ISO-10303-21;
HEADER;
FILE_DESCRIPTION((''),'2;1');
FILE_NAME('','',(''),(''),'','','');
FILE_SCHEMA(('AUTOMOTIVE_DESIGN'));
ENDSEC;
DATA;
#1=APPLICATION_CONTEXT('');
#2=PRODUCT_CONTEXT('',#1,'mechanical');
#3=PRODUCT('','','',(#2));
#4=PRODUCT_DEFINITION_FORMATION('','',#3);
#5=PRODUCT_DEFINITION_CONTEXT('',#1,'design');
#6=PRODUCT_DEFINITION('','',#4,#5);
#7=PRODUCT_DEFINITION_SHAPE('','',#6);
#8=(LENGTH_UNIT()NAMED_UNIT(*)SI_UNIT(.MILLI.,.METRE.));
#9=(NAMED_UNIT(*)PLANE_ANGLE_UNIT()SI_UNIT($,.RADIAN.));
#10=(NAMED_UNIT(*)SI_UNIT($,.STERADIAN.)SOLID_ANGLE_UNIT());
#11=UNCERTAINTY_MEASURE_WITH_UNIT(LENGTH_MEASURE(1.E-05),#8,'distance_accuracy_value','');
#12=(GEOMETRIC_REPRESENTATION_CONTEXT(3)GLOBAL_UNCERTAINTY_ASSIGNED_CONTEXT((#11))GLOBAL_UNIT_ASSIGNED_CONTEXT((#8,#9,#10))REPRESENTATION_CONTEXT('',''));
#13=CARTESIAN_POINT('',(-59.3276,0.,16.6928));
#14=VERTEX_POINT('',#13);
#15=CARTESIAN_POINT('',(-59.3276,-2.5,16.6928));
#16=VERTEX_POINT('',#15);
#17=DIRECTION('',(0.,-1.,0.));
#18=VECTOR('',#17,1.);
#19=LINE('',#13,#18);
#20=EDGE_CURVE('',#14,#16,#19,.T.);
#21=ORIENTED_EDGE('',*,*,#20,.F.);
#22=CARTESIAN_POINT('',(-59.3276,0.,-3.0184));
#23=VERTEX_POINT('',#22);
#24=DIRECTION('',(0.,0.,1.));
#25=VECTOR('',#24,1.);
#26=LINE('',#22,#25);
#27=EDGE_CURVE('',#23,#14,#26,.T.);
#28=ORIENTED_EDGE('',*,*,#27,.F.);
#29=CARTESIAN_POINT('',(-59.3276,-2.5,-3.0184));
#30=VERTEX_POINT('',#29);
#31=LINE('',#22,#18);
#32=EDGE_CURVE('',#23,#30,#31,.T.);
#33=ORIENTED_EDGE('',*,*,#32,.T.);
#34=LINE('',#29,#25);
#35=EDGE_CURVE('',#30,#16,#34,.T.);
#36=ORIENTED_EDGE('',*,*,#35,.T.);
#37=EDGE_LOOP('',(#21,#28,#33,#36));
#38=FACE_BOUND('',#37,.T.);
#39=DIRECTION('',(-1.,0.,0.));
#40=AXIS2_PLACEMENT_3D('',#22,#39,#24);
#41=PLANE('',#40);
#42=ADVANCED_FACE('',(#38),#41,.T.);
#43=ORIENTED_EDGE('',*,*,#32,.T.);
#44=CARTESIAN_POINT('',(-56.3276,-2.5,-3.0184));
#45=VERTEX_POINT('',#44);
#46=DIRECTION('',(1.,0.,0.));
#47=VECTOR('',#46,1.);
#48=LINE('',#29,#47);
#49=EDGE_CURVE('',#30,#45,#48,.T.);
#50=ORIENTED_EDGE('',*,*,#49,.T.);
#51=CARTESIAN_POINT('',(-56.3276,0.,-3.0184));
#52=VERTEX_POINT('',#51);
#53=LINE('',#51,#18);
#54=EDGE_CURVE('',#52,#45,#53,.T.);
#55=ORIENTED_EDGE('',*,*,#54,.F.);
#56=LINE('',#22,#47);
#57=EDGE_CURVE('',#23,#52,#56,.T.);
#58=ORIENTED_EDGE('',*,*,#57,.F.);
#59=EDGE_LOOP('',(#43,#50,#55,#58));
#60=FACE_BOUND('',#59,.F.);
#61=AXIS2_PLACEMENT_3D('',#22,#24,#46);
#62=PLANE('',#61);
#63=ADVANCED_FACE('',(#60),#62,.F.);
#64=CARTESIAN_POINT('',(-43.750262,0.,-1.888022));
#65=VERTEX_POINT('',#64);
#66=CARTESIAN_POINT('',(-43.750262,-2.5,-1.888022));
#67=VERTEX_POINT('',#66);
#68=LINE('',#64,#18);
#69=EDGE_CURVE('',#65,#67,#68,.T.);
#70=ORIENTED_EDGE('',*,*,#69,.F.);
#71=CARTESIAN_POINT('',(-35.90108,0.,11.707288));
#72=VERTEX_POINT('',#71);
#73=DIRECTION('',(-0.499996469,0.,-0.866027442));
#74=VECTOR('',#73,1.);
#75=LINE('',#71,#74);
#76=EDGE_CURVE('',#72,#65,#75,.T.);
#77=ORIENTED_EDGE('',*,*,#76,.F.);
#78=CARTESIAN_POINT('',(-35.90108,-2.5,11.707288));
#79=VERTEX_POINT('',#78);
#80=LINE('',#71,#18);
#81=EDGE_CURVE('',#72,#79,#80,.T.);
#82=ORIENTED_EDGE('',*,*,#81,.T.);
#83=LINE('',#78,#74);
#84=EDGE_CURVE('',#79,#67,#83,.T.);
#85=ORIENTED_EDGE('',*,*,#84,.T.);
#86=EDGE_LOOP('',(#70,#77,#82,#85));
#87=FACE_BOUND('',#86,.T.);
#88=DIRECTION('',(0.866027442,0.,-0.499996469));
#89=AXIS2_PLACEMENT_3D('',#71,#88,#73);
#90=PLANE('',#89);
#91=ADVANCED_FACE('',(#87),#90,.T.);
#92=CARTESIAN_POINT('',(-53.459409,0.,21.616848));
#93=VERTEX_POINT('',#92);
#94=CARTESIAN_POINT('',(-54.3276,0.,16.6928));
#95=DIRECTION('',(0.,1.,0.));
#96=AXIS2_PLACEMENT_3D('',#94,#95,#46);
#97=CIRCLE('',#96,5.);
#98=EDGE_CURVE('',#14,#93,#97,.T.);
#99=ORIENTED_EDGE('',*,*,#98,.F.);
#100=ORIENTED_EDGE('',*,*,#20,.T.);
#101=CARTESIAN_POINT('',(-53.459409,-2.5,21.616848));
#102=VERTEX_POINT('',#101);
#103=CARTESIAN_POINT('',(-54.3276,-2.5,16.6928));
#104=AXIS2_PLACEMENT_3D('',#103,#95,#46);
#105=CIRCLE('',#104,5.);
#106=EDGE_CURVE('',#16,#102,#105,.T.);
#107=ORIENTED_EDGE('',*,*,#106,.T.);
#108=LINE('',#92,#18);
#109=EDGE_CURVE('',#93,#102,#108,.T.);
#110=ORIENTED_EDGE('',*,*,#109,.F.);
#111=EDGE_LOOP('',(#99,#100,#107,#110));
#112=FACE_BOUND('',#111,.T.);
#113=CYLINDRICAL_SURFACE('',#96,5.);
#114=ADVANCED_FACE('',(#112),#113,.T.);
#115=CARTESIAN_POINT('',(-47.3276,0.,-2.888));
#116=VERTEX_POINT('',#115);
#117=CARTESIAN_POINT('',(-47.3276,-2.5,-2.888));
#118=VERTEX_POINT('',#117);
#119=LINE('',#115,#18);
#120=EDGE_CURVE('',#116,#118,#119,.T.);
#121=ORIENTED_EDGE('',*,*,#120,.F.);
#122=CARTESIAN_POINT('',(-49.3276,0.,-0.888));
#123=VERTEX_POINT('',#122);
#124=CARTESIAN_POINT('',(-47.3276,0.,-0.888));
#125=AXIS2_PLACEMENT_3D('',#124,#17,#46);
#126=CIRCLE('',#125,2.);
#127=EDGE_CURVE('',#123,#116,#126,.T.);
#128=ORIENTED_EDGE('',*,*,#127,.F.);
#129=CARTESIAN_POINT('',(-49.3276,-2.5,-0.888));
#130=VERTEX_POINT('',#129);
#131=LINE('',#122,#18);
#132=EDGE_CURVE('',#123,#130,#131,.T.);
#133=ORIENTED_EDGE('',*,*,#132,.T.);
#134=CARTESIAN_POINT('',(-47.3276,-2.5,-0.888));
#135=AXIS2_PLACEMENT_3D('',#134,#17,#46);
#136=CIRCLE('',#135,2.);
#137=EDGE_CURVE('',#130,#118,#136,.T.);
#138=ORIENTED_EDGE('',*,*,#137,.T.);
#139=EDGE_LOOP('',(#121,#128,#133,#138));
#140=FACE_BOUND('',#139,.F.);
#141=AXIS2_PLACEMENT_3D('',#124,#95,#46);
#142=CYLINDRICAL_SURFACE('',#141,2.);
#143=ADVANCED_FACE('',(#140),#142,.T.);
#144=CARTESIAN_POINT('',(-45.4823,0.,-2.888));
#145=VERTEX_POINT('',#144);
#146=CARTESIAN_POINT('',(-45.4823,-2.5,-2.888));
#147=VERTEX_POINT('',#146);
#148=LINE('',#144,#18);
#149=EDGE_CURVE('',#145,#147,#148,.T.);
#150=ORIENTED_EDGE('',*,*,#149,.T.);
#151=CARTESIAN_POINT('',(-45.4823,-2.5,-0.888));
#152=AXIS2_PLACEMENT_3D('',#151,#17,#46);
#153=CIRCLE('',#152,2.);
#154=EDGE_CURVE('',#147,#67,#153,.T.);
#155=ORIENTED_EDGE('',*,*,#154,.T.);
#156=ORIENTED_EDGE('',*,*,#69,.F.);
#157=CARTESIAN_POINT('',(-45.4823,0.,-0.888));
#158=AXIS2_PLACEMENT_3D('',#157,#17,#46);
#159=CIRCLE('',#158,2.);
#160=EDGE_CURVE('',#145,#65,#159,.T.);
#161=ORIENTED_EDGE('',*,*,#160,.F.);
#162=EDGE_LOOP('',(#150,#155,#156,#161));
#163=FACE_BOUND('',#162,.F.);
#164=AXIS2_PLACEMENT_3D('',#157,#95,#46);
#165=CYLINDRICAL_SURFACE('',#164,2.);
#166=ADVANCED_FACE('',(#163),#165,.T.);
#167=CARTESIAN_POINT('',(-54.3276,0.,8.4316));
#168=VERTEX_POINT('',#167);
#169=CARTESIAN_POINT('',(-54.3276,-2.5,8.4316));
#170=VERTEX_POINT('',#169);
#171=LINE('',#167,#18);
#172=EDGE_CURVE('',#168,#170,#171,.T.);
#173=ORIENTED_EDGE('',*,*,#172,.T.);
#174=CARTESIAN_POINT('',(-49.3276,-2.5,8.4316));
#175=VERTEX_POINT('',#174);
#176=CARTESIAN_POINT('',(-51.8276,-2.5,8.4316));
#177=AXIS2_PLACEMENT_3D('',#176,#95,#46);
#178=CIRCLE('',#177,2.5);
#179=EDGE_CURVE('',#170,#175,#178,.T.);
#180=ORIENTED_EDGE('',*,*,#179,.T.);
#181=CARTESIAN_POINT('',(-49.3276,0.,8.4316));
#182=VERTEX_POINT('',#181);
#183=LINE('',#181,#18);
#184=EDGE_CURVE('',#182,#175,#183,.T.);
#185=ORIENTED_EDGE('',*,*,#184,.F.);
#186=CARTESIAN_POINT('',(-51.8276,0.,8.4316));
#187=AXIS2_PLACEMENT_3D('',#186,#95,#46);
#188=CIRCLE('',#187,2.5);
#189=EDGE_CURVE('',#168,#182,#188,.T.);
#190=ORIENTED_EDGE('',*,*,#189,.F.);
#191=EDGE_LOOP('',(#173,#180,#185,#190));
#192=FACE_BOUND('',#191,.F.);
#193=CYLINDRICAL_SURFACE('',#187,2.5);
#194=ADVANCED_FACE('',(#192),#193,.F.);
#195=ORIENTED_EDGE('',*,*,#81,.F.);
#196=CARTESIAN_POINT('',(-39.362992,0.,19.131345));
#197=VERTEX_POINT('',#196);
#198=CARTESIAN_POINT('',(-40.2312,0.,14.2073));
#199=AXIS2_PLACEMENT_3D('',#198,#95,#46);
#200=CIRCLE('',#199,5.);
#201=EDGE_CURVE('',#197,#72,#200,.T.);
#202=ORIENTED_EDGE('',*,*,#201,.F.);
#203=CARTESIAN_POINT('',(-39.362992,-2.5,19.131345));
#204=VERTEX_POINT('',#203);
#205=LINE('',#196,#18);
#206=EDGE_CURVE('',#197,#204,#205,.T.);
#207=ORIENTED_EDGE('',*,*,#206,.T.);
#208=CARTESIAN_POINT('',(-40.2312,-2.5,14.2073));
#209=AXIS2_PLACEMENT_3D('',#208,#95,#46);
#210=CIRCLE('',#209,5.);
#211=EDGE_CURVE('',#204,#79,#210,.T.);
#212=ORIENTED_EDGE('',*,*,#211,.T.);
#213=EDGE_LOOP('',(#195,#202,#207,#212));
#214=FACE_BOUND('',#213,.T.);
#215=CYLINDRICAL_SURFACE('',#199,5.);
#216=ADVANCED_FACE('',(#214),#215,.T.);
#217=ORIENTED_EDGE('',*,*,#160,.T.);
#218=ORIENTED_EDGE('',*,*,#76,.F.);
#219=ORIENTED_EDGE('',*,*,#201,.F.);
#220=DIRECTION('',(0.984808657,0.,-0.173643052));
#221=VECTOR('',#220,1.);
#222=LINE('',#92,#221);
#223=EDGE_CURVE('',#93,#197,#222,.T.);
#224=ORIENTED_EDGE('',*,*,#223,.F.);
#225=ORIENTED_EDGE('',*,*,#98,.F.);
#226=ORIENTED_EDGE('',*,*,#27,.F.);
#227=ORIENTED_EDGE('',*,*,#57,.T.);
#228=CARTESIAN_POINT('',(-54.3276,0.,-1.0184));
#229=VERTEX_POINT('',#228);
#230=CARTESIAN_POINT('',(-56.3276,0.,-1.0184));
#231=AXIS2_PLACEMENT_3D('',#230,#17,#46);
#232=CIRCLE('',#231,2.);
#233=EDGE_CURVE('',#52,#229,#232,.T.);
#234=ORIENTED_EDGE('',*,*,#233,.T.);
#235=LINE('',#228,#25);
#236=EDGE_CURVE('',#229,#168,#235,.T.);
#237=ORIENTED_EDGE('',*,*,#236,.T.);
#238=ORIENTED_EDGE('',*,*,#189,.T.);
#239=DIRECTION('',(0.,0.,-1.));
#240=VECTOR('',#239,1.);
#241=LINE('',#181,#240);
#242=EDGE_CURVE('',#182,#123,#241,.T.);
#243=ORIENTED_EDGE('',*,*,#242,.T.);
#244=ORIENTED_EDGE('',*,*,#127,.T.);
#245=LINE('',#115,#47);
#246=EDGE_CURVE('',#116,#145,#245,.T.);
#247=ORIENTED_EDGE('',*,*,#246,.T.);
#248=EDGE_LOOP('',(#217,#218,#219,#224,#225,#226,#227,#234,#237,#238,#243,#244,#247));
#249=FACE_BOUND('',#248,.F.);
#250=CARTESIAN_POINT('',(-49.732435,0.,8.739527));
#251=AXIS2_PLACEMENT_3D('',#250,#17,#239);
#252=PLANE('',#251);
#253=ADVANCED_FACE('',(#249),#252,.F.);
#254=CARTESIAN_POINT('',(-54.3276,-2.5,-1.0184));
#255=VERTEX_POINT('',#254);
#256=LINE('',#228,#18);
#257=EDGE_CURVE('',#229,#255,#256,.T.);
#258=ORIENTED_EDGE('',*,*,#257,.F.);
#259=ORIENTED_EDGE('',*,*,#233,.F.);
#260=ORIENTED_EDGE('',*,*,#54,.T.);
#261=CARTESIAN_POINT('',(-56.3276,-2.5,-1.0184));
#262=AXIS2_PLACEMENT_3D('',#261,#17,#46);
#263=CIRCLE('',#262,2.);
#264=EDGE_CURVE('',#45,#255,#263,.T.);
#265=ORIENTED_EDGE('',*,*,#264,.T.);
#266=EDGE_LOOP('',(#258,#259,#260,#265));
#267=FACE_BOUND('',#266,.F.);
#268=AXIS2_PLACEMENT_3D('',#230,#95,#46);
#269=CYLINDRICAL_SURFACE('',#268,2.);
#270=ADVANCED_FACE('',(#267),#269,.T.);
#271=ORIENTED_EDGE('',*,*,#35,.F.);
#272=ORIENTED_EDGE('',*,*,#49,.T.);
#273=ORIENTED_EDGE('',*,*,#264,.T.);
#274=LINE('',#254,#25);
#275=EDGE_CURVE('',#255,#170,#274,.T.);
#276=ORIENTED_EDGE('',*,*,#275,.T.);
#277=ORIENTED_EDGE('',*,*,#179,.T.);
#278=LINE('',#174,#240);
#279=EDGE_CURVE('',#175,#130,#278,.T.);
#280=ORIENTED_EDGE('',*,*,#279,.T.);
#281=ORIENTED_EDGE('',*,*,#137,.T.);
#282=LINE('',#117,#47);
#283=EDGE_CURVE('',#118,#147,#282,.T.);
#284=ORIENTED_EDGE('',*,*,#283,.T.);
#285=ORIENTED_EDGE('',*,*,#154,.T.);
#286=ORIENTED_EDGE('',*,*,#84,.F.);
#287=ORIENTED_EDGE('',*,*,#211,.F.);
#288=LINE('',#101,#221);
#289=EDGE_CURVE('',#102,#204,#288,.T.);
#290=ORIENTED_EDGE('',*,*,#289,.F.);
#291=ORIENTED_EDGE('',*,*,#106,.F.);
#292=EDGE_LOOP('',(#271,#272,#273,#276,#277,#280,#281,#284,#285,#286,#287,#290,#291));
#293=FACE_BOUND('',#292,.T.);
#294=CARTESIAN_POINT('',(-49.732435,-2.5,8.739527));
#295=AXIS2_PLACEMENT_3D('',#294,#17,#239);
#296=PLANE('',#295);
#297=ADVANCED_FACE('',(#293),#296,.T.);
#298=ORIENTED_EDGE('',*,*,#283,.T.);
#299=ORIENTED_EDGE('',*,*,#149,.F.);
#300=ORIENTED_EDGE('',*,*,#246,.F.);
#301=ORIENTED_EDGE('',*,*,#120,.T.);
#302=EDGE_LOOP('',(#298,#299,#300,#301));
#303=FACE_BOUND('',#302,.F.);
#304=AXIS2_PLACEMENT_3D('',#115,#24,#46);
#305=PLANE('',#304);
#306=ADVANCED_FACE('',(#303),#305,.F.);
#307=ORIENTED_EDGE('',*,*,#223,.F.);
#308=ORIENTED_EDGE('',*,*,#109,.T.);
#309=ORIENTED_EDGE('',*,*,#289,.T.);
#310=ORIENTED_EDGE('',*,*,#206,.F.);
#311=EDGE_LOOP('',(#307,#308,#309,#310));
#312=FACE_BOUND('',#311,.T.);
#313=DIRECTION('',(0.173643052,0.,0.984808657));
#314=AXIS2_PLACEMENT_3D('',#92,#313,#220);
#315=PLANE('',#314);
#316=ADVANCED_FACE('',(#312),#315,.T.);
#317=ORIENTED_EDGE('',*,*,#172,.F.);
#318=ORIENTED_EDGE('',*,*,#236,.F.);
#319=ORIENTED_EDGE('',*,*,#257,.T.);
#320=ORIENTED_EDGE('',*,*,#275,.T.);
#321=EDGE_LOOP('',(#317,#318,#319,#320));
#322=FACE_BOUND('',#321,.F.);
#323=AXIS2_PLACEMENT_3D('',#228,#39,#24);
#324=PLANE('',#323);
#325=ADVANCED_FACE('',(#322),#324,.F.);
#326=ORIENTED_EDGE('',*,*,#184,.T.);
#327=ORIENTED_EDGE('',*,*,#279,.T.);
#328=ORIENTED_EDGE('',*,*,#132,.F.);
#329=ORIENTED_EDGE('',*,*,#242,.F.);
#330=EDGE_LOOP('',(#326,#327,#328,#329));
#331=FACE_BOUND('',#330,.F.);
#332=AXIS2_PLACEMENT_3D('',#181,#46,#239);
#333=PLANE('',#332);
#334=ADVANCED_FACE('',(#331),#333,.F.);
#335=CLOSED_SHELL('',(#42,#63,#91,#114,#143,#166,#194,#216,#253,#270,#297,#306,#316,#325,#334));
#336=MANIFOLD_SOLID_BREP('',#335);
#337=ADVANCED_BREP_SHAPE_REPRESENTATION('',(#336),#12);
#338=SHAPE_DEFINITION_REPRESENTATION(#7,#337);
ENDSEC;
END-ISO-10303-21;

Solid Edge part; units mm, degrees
sketch "Sketch1" plane through (0, 0, 0) normal (0, -1, 0) x (1, 0, 0)
  line L0 (-59.3276, -3.0184) -> (-56.3276, -3.0184)
  arc A0 (-56.3276, -3.0184) -> (-54.3276, -1.0184) centre (-56.3276, -1.0184) ccw
  line L1 (-54.3276, -1.0184) -> (-54.3276, 8.4316)
  line L2 (-49.3276, 8.4316) -> (-49.3276, -0.888)
  arc A1 (-49.3276, -0.888) -> (-47.3276, -2.888) centre (-47.3276, -0.888) ccw
  line L3 (-47.3276, -2.888) -> (-45.4823, -2.888)
  arc A2 (-45.4823, -2.888) -> (-43.7503, -1.888) centre (-45.4823, -0.888) ccw
  line L4 (-35.9011, 11.7073) -> (-43.7503, -1.888)
  arc A3 (-39.363, 19.1313) -> (-35.9011, 11.7073) centre (-40.2312, 14.2073) cw
  line L5 (-53.4594, 21.6169) -> (-39.363, 19.1313)
  arc A4 (-59.3276, 16.6928) -> (-53.4594, 21.6169) centre (-54.3276, 16.6928) cw
  line L6 (-59.3276, -3.0184) -> (-59.3276, 16.6928)
  arc A5 (-54.3276, 8.4316) -> (-49.3276, 8.4316) centre (-51.8276, 8.4316) cw
extrude "Protrusion1" add sketch "Sketch1" along normal blind 2.5
